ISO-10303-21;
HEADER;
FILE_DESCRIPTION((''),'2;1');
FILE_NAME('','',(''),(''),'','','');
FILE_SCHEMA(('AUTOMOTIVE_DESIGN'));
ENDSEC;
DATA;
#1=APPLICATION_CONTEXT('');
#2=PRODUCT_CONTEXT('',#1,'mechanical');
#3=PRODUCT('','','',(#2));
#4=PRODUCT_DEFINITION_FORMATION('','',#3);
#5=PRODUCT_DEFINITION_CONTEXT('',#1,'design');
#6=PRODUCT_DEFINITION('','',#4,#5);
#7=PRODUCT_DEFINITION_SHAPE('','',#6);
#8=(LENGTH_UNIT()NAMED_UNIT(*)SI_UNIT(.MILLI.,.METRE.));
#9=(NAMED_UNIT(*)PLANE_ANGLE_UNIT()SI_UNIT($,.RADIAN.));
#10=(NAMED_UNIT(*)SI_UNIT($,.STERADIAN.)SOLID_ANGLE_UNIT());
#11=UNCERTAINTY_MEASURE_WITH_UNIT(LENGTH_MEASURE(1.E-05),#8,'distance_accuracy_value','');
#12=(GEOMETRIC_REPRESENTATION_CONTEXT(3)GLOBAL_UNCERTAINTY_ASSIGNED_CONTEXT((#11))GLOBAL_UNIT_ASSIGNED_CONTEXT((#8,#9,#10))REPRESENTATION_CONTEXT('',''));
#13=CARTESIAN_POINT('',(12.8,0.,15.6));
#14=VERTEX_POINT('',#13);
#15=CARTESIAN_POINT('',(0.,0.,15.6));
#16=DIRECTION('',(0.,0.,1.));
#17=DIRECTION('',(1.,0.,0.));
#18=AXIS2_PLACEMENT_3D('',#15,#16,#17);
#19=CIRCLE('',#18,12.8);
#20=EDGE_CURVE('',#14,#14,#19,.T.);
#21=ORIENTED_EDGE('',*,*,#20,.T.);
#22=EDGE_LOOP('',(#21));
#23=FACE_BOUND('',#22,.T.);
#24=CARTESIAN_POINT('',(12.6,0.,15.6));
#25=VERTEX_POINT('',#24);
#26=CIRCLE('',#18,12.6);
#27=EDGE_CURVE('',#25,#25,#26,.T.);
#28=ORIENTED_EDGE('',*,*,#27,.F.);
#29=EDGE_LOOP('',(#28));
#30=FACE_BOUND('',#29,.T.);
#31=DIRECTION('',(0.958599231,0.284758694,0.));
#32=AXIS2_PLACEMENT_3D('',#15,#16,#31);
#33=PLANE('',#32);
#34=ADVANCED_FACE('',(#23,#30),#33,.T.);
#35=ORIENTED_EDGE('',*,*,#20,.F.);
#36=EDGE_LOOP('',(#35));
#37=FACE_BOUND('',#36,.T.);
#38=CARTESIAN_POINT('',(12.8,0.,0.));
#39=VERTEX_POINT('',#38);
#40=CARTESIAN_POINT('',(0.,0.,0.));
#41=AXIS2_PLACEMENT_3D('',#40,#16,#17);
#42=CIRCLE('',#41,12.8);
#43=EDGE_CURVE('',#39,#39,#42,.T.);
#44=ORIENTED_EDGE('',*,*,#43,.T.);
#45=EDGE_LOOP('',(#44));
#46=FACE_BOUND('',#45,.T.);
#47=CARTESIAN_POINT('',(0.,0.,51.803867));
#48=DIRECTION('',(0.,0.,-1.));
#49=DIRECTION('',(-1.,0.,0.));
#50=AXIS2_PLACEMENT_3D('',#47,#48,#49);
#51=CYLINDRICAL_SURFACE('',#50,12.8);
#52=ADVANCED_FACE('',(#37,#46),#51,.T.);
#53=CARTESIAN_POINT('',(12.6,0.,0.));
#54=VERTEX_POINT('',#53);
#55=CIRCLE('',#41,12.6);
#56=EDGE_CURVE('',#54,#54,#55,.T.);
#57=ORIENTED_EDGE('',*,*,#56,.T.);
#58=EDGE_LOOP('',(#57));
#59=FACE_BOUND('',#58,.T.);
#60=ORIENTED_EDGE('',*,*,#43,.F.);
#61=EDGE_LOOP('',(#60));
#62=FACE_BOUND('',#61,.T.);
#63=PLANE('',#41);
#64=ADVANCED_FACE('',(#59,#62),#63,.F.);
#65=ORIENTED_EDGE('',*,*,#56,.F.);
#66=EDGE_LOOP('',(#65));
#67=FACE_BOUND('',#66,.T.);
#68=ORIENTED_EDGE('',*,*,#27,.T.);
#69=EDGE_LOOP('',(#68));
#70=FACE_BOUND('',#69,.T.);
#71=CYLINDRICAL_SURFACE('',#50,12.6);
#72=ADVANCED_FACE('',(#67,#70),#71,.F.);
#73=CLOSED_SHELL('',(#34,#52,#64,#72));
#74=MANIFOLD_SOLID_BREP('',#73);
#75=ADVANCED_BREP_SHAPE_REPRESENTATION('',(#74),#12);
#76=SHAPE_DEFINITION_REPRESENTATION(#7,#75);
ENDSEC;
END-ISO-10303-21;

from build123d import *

# Parameters (mm, degrees)
CROQUIS1_R              = 12.8
CROQUIS1_R_2            = 12.6
SALIENTE_EXTRUIR1_DEPTH = 15.6


with BuildPart() as part:
    # Croquis1 → Saliente-Extruir1 (new body)
    with BuildSketch(Plane.XY):
        Circle(CROQUIS1_R)
        Circle(CROQUIS1_R_2, mode=Mode.SUBTRACT)
    extrude(amount=SALIENTE_EXTRUIR1_DEPTH)


solid = part.part
